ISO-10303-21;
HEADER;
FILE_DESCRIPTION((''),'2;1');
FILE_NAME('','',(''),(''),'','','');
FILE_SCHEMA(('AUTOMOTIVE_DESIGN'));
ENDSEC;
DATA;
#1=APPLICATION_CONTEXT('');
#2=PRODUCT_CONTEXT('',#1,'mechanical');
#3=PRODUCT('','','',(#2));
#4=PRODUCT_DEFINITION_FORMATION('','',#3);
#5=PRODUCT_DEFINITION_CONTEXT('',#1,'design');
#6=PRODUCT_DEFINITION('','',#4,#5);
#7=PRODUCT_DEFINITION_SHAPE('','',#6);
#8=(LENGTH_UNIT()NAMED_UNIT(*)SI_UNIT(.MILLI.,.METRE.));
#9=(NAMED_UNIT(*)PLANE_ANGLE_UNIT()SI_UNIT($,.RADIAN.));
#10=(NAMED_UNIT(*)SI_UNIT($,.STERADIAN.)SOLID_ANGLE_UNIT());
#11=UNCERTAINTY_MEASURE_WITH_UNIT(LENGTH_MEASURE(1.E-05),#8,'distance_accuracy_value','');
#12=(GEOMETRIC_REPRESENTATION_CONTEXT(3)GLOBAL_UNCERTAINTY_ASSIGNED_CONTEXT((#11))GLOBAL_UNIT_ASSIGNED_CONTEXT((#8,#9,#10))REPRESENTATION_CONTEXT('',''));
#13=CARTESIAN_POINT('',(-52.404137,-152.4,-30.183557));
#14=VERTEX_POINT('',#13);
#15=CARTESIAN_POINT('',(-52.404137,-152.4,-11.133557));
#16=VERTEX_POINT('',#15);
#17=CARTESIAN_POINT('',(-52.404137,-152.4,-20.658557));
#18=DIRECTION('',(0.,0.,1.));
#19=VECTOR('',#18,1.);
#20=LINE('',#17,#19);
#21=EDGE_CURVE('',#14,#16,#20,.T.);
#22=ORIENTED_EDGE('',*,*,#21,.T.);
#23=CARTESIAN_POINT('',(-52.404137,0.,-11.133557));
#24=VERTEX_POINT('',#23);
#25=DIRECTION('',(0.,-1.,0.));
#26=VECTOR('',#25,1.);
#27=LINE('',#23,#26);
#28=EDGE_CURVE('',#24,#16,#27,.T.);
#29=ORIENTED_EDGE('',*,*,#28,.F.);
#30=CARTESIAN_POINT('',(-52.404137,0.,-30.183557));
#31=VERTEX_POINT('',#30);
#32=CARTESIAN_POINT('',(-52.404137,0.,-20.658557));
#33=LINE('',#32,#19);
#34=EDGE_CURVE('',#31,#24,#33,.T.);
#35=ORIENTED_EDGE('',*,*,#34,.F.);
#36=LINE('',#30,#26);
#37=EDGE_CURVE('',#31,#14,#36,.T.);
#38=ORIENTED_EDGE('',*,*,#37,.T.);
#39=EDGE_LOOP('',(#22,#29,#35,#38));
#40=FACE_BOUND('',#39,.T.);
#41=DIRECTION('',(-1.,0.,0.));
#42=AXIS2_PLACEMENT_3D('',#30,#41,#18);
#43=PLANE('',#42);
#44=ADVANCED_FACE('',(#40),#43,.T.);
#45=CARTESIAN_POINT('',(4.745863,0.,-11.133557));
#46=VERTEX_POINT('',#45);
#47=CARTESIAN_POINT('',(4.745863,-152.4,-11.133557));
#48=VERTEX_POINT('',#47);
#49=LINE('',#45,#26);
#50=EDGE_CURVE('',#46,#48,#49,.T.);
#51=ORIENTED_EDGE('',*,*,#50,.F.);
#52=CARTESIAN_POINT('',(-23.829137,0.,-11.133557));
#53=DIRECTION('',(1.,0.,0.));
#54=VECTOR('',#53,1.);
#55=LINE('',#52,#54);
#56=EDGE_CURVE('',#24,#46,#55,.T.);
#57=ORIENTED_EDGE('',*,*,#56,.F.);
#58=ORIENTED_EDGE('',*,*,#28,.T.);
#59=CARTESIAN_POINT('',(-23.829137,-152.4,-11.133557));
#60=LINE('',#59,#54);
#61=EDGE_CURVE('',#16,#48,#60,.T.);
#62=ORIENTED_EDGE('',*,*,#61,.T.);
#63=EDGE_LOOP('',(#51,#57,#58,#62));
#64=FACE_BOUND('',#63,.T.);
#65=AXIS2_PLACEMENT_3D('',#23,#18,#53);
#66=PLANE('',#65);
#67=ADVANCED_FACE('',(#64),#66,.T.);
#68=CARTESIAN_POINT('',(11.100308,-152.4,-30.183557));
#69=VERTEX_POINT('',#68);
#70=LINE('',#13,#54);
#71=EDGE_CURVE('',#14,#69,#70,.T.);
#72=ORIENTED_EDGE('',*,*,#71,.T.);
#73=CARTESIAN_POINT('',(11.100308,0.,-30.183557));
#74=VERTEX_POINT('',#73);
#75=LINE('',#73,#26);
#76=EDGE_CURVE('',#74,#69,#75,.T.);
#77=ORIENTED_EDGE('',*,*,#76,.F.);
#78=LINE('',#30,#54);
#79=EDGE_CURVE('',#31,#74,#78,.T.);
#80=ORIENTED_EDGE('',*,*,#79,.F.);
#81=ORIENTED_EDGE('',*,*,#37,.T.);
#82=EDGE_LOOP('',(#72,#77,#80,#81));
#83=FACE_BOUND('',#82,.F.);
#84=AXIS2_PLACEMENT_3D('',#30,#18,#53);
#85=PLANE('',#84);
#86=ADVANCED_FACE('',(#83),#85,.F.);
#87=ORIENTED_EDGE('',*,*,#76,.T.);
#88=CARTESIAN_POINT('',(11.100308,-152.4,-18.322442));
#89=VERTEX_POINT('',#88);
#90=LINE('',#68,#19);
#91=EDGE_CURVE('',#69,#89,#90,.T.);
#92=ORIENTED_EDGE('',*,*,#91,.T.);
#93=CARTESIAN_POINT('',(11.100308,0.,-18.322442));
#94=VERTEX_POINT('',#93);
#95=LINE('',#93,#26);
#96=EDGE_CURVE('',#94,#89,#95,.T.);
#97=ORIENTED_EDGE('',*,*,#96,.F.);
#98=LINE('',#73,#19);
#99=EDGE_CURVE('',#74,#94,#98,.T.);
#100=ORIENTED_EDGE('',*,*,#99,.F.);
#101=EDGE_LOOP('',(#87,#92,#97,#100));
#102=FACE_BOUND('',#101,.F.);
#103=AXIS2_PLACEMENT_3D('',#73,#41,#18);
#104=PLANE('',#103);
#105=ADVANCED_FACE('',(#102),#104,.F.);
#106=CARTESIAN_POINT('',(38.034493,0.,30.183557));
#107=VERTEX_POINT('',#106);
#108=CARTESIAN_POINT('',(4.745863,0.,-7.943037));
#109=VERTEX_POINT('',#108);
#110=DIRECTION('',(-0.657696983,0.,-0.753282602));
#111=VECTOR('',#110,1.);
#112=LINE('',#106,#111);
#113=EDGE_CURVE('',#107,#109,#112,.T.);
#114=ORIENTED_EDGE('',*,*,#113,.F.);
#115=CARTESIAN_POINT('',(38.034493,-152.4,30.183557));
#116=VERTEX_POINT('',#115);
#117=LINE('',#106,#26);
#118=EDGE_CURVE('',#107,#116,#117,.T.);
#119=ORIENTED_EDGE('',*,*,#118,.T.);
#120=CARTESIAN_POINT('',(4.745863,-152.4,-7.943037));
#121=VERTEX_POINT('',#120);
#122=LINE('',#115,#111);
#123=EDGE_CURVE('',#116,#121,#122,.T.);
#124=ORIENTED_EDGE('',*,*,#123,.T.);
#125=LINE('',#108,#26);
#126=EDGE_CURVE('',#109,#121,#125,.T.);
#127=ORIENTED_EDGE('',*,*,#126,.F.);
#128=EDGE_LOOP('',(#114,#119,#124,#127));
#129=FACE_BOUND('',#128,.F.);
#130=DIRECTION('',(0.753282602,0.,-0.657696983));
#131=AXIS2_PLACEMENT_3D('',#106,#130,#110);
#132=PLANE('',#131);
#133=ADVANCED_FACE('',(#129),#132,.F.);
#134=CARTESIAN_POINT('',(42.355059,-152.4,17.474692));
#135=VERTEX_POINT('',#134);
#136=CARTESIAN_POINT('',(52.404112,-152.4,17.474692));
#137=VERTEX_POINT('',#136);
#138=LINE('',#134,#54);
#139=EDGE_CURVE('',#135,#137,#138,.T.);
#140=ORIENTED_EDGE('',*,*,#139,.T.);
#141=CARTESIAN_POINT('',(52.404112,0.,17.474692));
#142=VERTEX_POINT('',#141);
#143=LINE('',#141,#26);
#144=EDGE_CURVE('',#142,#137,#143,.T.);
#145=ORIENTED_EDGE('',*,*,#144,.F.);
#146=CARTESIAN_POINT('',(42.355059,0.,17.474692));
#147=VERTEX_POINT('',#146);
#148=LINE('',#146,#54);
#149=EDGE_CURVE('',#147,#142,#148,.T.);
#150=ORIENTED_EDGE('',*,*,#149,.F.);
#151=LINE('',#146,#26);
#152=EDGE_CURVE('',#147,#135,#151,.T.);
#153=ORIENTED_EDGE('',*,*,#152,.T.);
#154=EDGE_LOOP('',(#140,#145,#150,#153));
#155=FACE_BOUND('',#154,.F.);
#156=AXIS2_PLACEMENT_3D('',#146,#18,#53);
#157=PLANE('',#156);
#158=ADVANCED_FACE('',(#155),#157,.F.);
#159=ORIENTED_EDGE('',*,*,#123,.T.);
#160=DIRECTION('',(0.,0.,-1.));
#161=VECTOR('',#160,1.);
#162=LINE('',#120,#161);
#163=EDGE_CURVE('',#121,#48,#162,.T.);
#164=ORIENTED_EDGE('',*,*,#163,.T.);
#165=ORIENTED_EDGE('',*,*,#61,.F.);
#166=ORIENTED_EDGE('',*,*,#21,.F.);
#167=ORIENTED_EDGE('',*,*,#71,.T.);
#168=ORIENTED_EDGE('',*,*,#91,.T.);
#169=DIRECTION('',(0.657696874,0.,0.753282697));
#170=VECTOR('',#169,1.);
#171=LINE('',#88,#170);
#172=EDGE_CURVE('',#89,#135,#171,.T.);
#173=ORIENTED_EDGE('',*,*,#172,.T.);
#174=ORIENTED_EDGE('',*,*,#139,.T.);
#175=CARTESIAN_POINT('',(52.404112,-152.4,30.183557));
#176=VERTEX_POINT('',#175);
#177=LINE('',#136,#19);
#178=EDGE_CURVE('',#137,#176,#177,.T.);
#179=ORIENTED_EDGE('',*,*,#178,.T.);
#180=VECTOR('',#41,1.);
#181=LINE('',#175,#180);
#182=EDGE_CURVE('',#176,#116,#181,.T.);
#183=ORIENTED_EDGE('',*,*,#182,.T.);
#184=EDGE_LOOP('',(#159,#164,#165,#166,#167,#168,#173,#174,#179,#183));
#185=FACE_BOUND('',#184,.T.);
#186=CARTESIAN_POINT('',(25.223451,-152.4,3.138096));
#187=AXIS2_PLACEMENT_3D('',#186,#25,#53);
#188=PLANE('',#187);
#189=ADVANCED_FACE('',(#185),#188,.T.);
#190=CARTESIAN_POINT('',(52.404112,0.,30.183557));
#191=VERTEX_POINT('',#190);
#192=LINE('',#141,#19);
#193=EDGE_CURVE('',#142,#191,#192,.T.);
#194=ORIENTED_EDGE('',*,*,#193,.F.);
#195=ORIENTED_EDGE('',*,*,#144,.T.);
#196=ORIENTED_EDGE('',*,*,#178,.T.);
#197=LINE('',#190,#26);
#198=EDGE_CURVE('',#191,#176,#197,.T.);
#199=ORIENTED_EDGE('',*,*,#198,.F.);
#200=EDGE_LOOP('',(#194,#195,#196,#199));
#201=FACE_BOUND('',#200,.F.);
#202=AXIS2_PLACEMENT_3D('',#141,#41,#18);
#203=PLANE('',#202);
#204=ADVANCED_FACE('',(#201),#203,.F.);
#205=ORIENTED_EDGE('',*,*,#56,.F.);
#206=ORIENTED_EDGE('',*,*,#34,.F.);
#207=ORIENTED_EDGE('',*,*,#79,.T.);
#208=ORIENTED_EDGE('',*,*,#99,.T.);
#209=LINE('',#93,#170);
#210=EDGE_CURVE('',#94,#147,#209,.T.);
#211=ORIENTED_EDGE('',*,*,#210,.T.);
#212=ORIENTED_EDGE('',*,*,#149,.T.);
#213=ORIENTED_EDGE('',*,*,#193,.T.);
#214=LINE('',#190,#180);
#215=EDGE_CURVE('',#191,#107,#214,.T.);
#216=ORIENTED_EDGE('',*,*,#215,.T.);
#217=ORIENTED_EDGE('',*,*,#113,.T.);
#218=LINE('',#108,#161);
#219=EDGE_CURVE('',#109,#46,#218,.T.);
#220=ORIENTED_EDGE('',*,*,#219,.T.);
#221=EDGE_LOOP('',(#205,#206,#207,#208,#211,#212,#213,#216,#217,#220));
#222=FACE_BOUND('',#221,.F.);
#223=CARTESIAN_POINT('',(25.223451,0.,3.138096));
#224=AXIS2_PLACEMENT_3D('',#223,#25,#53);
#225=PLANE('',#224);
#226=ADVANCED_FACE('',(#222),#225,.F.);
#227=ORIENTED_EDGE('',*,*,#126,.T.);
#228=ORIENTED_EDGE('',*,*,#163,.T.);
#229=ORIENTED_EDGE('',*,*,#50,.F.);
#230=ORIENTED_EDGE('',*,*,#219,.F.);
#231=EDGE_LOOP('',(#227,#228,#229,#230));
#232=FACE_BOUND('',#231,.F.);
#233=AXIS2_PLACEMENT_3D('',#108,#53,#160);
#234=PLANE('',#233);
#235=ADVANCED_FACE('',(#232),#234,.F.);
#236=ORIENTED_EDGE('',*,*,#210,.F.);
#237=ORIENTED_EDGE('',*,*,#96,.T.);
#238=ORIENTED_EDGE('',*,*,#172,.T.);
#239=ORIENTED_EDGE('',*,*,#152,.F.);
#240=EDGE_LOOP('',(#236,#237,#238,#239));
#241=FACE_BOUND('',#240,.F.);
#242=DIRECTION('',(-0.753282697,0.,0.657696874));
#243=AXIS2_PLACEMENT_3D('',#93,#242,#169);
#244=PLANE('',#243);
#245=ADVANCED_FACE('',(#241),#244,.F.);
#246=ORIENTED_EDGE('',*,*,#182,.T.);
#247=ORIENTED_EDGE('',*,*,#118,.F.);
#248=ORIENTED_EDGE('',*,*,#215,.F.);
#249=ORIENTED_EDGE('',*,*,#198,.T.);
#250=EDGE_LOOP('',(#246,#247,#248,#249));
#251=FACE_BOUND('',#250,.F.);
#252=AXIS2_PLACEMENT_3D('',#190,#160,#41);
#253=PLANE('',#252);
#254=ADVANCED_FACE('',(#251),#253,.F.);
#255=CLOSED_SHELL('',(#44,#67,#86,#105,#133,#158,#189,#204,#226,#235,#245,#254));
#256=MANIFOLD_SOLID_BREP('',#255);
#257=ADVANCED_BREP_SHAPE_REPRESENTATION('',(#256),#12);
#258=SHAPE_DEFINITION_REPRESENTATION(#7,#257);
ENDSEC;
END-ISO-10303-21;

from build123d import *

# Parameters (mm, degrees)
F0_W     = 57.15
F0_H     = 19.05
F1_DEPTH = 152.4


with BuildPart() as f1:
    # F0 (on Front) → F1 (new body)
    with BuildSketch(Plane.XZ):
        Polygon((4.745863, -11.133557), (4.745863, -30.183557), (11.100308, -30.183557), (11.100308, -18.322442), (42.355059, 17.474692), (52.404112, 17.474692), (52.404112, 30.183557), (38.034493, 30.183557), (4.745863, -7.943037), align=None)
        with Locations((-23.829137, -20.658557)):
            Rectangle(F0_W, F0_H)
    extrude(amount=F1_DEPTH)


solid = f1.part
